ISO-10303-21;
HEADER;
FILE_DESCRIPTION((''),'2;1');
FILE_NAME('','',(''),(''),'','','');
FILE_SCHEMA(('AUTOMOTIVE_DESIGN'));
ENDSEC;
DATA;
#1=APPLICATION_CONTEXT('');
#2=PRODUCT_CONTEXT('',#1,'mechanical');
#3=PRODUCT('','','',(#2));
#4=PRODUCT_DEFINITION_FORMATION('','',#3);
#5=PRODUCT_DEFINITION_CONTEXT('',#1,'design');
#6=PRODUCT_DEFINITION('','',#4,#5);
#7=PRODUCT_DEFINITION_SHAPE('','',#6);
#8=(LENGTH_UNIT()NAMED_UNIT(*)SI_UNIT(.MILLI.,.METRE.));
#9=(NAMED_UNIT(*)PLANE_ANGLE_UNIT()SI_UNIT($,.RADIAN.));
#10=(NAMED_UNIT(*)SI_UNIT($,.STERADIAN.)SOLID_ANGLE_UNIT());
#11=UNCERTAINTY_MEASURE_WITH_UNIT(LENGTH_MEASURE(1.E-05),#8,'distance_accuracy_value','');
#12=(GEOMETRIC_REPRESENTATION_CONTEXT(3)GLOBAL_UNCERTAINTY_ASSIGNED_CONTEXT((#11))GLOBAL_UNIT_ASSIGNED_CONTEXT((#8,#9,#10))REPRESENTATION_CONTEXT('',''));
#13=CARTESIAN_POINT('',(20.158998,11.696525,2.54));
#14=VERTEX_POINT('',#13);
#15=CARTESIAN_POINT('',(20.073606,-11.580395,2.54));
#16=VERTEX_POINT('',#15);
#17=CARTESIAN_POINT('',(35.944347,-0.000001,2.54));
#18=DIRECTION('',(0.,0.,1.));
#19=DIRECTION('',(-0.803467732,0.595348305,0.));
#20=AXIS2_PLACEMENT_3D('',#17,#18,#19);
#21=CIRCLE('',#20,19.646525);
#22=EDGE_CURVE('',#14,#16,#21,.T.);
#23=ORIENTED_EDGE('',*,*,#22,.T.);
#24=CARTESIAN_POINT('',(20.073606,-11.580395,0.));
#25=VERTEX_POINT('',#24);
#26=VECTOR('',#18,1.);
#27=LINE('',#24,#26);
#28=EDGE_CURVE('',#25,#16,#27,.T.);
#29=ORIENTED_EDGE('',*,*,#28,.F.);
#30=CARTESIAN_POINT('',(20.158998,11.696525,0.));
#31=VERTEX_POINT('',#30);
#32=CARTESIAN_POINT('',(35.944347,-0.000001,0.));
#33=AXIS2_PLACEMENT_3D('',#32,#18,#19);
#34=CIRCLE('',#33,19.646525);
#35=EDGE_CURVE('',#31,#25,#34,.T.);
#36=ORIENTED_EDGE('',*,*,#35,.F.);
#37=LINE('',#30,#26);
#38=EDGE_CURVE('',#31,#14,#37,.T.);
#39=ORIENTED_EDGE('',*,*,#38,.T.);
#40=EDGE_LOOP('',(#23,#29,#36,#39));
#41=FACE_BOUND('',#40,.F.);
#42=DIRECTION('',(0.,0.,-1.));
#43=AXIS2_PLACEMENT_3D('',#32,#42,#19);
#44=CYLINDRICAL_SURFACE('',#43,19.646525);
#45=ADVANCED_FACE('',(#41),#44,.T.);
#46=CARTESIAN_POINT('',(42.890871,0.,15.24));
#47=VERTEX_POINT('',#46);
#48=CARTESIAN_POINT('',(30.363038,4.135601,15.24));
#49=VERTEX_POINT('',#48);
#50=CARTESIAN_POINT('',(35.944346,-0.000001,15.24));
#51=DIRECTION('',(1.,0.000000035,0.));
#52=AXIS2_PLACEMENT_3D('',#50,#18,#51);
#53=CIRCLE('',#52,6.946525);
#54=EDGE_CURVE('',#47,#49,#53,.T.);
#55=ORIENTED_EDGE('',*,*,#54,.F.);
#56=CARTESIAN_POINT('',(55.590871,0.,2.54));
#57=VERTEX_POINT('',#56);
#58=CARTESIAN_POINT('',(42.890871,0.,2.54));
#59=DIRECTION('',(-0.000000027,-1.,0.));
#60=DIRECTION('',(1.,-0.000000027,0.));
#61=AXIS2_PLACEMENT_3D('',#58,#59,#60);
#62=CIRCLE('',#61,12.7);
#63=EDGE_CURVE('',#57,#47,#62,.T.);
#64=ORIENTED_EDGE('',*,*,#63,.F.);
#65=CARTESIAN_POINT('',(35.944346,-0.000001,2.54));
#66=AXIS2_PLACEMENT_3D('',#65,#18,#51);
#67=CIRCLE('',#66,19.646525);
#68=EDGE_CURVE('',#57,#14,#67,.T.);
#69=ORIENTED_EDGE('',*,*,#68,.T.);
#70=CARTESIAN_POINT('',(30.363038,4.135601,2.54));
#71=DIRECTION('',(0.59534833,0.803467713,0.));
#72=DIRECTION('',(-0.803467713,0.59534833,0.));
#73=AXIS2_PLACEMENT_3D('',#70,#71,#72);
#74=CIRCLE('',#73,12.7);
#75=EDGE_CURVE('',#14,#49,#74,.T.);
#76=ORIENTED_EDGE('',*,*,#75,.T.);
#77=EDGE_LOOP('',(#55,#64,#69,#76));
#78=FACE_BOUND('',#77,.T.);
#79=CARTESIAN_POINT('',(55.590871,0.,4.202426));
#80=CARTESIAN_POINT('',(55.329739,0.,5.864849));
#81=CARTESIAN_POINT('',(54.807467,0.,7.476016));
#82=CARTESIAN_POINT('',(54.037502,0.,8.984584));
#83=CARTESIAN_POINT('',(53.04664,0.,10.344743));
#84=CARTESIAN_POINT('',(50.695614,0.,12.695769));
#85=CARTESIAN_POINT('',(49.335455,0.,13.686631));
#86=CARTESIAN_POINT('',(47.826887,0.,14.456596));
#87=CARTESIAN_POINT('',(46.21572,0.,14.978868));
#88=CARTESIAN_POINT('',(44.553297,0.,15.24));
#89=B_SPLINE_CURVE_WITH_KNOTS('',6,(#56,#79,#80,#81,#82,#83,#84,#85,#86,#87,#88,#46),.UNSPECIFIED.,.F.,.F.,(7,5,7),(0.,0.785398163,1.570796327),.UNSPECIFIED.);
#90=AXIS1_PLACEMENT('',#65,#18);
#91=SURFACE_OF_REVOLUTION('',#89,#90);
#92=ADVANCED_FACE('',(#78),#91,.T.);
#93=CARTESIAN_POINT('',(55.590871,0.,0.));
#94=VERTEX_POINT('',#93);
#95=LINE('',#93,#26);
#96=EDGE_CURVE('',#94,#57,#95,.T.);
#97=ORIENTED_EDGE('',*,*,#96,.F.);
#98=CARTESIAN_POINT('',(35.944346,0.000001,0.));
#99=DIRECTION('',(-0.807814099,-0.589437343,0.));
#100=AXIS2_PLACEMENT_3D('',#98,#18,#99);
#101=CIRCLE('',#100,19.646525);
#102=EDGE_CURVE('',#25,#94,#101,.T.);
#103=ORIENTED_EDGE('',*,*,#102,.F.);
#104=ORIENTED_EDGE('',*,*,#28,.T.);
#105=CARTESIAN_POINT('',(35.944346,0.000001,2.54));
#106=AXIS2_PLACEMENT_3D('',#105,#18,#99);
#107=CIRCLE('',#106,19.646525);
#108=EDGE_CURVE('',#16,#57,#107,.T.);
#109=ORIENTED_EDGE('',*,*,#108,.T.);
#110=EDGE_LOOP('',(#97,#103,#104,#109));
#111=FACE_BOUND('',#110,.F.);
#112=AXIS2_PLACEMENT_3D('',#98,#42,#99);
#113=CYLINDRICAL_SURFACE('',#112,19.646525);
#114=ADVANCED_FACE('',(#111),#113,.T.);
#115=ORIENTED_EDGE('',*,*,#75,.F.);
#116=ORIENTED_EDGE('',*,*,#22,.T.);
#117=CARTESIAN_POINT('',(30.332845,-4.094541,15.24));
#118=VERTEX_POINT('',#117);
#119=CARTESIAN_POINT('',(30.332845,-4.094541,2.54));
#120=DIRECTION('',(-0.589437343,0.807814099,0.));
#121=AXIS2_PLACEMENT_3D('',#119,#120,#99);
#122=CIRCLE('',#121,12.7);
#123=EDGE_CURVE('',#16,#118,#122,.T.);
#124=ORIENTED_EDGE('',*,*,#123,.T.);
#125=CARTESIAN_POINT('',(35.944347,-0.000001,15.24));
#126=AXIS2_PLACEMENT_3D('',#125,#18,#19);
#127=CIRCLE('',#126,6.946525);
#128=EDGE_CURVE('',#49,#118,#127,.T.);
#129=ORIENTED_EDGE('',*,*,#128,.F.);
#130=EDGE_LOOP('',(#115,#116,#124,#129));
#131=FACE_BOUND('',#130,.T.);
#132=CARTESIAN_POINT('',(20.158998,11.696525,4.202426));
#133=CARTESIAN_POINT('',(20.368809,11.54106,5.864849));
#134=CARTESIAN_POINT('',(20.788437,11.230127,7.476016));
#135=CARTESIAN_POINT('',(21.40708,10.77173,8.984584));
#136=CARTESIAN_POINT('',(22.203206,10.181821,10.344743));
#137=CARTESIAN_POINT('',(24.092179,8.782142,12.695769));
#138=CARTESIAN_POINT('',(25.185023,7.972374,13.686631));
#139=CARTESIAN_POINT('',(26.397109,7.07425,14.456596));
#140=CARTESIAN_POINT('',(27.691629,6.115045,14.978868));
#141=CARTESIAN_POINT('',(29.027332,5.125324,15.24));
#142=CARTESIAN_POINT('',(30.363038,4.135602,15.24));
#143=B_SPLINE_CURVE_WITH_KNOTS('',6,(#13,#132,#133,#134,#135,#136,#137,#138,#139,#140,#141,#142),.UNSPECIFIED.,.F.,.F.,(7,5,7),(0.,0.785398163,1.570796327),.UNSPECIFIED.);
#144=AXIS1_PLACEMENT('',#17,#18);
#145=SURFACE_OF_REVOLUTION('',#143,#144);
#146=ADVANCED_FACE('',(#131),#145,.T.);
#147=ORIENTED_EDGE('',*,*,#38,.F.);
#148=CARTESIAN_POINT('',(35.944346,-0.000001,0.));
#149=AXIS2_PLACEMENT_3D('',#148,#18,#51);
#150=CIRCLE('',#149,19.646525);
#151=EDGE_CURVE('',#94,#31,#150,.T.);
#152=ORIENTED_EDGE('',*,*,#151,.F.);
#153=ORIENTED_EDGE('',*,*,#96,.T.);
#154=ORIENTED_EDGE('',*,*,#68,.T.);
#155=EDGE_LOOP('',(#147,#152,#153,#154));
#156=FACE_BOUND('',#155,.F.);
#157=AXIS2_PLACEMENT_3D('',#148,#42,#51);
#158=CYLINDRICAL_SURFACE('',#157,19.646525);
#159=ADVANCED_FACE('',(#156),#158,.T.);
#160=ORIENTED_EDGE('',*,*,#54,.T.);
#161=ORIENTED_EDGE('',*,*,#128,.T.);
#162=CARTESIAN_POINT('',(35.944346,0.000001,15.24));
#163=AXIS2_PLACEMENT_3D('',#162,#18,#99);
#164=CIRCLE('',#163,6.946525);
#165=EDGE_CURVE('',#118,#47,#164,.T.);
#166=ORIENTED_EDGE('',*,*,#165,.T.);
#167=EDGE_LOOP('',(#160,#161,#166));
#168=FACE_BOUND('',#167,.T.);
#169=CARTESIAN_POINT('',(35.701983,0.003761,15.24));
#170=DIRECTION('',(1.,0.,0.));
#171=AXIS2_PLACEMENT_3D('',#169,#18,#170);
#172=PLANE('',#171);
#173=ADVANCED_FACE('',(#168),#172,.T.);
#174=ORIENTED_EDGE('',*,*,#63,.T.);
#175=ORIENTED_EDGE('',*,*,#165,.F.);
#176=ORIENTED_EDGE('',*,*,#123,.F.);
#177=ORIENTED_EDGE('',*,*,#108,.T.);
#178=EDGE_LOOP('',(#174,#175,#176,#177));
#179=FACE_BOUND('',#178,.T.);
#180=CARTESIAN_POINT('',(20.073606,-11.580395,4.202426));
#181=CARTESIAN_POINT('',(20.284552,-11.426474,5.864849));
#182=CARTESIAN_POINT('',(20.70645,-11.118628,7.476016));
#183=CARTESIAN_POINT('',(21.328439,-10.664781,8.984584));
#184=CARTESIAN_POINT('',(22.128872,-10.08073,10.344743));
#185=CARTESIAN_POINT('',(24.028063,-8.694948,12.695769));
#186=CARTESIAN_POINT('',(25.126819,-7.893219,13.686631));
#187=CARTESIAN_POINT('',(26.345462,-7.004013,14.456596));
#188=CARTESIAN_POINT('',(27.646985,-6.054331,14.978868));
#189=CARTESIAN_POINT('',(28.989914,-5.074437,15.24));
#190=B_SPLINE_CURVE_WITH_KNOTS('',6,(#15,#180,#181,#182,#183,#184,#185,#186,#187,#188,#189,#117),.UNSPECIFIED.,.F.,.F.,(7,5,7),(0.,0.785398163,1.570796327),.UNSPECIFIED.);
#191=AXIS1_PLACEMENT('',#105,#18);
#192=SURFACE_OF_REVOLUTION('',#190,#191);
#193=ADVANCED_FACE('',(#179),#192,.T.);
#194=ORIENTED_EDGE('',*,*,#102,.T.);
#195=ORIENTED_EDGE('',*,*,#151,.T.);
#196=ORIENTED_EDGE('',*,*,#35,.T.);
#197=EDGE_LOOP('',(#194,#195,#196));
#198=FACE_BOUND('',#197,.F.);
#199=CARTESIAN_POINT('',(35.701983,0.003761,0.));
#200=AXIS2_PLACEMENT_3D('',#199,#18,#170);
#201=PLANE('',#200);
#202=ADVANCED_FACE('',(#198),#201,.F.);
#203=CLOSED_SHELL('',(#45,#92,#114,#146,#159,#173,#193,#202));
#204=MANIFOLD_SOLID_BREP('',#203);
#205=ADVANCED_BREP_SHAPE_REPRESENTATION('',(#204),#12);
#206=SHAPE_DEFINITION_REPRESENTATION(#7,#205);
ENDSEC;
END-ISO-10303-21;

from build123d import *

# Parameters (mm, degrees)
F1_DEPTH = 15.24
F2_R     = 12.7


with BuildPart() as f1:
    # F0 (on Top) → F1 (new body)
    with BuildSketch(Plane.XY):
        with BuildLine():
            ThreePointArc((20.073606, -11.580395), (42.034545, -18.678742), (55.590871, 0))
            ThreePointArc((55.590871, 0), (42.103027, 18.656274), (20.158998, 11.696525))
            ThreePointArc((20.158998, 11.696525), (16.297954, 0.072073), (20.073606, -11.580395))
        make_face()
    extrude(amount=F1_DEPTH)

    # F2
    f2_edges = [f1.edges().sort_by_distance(p)[0] for p in [
        (51.729694, -11.696525, 15.24),
    ]]
    fillet(f2_edges, radius=F2_R)


solid = f1.part
